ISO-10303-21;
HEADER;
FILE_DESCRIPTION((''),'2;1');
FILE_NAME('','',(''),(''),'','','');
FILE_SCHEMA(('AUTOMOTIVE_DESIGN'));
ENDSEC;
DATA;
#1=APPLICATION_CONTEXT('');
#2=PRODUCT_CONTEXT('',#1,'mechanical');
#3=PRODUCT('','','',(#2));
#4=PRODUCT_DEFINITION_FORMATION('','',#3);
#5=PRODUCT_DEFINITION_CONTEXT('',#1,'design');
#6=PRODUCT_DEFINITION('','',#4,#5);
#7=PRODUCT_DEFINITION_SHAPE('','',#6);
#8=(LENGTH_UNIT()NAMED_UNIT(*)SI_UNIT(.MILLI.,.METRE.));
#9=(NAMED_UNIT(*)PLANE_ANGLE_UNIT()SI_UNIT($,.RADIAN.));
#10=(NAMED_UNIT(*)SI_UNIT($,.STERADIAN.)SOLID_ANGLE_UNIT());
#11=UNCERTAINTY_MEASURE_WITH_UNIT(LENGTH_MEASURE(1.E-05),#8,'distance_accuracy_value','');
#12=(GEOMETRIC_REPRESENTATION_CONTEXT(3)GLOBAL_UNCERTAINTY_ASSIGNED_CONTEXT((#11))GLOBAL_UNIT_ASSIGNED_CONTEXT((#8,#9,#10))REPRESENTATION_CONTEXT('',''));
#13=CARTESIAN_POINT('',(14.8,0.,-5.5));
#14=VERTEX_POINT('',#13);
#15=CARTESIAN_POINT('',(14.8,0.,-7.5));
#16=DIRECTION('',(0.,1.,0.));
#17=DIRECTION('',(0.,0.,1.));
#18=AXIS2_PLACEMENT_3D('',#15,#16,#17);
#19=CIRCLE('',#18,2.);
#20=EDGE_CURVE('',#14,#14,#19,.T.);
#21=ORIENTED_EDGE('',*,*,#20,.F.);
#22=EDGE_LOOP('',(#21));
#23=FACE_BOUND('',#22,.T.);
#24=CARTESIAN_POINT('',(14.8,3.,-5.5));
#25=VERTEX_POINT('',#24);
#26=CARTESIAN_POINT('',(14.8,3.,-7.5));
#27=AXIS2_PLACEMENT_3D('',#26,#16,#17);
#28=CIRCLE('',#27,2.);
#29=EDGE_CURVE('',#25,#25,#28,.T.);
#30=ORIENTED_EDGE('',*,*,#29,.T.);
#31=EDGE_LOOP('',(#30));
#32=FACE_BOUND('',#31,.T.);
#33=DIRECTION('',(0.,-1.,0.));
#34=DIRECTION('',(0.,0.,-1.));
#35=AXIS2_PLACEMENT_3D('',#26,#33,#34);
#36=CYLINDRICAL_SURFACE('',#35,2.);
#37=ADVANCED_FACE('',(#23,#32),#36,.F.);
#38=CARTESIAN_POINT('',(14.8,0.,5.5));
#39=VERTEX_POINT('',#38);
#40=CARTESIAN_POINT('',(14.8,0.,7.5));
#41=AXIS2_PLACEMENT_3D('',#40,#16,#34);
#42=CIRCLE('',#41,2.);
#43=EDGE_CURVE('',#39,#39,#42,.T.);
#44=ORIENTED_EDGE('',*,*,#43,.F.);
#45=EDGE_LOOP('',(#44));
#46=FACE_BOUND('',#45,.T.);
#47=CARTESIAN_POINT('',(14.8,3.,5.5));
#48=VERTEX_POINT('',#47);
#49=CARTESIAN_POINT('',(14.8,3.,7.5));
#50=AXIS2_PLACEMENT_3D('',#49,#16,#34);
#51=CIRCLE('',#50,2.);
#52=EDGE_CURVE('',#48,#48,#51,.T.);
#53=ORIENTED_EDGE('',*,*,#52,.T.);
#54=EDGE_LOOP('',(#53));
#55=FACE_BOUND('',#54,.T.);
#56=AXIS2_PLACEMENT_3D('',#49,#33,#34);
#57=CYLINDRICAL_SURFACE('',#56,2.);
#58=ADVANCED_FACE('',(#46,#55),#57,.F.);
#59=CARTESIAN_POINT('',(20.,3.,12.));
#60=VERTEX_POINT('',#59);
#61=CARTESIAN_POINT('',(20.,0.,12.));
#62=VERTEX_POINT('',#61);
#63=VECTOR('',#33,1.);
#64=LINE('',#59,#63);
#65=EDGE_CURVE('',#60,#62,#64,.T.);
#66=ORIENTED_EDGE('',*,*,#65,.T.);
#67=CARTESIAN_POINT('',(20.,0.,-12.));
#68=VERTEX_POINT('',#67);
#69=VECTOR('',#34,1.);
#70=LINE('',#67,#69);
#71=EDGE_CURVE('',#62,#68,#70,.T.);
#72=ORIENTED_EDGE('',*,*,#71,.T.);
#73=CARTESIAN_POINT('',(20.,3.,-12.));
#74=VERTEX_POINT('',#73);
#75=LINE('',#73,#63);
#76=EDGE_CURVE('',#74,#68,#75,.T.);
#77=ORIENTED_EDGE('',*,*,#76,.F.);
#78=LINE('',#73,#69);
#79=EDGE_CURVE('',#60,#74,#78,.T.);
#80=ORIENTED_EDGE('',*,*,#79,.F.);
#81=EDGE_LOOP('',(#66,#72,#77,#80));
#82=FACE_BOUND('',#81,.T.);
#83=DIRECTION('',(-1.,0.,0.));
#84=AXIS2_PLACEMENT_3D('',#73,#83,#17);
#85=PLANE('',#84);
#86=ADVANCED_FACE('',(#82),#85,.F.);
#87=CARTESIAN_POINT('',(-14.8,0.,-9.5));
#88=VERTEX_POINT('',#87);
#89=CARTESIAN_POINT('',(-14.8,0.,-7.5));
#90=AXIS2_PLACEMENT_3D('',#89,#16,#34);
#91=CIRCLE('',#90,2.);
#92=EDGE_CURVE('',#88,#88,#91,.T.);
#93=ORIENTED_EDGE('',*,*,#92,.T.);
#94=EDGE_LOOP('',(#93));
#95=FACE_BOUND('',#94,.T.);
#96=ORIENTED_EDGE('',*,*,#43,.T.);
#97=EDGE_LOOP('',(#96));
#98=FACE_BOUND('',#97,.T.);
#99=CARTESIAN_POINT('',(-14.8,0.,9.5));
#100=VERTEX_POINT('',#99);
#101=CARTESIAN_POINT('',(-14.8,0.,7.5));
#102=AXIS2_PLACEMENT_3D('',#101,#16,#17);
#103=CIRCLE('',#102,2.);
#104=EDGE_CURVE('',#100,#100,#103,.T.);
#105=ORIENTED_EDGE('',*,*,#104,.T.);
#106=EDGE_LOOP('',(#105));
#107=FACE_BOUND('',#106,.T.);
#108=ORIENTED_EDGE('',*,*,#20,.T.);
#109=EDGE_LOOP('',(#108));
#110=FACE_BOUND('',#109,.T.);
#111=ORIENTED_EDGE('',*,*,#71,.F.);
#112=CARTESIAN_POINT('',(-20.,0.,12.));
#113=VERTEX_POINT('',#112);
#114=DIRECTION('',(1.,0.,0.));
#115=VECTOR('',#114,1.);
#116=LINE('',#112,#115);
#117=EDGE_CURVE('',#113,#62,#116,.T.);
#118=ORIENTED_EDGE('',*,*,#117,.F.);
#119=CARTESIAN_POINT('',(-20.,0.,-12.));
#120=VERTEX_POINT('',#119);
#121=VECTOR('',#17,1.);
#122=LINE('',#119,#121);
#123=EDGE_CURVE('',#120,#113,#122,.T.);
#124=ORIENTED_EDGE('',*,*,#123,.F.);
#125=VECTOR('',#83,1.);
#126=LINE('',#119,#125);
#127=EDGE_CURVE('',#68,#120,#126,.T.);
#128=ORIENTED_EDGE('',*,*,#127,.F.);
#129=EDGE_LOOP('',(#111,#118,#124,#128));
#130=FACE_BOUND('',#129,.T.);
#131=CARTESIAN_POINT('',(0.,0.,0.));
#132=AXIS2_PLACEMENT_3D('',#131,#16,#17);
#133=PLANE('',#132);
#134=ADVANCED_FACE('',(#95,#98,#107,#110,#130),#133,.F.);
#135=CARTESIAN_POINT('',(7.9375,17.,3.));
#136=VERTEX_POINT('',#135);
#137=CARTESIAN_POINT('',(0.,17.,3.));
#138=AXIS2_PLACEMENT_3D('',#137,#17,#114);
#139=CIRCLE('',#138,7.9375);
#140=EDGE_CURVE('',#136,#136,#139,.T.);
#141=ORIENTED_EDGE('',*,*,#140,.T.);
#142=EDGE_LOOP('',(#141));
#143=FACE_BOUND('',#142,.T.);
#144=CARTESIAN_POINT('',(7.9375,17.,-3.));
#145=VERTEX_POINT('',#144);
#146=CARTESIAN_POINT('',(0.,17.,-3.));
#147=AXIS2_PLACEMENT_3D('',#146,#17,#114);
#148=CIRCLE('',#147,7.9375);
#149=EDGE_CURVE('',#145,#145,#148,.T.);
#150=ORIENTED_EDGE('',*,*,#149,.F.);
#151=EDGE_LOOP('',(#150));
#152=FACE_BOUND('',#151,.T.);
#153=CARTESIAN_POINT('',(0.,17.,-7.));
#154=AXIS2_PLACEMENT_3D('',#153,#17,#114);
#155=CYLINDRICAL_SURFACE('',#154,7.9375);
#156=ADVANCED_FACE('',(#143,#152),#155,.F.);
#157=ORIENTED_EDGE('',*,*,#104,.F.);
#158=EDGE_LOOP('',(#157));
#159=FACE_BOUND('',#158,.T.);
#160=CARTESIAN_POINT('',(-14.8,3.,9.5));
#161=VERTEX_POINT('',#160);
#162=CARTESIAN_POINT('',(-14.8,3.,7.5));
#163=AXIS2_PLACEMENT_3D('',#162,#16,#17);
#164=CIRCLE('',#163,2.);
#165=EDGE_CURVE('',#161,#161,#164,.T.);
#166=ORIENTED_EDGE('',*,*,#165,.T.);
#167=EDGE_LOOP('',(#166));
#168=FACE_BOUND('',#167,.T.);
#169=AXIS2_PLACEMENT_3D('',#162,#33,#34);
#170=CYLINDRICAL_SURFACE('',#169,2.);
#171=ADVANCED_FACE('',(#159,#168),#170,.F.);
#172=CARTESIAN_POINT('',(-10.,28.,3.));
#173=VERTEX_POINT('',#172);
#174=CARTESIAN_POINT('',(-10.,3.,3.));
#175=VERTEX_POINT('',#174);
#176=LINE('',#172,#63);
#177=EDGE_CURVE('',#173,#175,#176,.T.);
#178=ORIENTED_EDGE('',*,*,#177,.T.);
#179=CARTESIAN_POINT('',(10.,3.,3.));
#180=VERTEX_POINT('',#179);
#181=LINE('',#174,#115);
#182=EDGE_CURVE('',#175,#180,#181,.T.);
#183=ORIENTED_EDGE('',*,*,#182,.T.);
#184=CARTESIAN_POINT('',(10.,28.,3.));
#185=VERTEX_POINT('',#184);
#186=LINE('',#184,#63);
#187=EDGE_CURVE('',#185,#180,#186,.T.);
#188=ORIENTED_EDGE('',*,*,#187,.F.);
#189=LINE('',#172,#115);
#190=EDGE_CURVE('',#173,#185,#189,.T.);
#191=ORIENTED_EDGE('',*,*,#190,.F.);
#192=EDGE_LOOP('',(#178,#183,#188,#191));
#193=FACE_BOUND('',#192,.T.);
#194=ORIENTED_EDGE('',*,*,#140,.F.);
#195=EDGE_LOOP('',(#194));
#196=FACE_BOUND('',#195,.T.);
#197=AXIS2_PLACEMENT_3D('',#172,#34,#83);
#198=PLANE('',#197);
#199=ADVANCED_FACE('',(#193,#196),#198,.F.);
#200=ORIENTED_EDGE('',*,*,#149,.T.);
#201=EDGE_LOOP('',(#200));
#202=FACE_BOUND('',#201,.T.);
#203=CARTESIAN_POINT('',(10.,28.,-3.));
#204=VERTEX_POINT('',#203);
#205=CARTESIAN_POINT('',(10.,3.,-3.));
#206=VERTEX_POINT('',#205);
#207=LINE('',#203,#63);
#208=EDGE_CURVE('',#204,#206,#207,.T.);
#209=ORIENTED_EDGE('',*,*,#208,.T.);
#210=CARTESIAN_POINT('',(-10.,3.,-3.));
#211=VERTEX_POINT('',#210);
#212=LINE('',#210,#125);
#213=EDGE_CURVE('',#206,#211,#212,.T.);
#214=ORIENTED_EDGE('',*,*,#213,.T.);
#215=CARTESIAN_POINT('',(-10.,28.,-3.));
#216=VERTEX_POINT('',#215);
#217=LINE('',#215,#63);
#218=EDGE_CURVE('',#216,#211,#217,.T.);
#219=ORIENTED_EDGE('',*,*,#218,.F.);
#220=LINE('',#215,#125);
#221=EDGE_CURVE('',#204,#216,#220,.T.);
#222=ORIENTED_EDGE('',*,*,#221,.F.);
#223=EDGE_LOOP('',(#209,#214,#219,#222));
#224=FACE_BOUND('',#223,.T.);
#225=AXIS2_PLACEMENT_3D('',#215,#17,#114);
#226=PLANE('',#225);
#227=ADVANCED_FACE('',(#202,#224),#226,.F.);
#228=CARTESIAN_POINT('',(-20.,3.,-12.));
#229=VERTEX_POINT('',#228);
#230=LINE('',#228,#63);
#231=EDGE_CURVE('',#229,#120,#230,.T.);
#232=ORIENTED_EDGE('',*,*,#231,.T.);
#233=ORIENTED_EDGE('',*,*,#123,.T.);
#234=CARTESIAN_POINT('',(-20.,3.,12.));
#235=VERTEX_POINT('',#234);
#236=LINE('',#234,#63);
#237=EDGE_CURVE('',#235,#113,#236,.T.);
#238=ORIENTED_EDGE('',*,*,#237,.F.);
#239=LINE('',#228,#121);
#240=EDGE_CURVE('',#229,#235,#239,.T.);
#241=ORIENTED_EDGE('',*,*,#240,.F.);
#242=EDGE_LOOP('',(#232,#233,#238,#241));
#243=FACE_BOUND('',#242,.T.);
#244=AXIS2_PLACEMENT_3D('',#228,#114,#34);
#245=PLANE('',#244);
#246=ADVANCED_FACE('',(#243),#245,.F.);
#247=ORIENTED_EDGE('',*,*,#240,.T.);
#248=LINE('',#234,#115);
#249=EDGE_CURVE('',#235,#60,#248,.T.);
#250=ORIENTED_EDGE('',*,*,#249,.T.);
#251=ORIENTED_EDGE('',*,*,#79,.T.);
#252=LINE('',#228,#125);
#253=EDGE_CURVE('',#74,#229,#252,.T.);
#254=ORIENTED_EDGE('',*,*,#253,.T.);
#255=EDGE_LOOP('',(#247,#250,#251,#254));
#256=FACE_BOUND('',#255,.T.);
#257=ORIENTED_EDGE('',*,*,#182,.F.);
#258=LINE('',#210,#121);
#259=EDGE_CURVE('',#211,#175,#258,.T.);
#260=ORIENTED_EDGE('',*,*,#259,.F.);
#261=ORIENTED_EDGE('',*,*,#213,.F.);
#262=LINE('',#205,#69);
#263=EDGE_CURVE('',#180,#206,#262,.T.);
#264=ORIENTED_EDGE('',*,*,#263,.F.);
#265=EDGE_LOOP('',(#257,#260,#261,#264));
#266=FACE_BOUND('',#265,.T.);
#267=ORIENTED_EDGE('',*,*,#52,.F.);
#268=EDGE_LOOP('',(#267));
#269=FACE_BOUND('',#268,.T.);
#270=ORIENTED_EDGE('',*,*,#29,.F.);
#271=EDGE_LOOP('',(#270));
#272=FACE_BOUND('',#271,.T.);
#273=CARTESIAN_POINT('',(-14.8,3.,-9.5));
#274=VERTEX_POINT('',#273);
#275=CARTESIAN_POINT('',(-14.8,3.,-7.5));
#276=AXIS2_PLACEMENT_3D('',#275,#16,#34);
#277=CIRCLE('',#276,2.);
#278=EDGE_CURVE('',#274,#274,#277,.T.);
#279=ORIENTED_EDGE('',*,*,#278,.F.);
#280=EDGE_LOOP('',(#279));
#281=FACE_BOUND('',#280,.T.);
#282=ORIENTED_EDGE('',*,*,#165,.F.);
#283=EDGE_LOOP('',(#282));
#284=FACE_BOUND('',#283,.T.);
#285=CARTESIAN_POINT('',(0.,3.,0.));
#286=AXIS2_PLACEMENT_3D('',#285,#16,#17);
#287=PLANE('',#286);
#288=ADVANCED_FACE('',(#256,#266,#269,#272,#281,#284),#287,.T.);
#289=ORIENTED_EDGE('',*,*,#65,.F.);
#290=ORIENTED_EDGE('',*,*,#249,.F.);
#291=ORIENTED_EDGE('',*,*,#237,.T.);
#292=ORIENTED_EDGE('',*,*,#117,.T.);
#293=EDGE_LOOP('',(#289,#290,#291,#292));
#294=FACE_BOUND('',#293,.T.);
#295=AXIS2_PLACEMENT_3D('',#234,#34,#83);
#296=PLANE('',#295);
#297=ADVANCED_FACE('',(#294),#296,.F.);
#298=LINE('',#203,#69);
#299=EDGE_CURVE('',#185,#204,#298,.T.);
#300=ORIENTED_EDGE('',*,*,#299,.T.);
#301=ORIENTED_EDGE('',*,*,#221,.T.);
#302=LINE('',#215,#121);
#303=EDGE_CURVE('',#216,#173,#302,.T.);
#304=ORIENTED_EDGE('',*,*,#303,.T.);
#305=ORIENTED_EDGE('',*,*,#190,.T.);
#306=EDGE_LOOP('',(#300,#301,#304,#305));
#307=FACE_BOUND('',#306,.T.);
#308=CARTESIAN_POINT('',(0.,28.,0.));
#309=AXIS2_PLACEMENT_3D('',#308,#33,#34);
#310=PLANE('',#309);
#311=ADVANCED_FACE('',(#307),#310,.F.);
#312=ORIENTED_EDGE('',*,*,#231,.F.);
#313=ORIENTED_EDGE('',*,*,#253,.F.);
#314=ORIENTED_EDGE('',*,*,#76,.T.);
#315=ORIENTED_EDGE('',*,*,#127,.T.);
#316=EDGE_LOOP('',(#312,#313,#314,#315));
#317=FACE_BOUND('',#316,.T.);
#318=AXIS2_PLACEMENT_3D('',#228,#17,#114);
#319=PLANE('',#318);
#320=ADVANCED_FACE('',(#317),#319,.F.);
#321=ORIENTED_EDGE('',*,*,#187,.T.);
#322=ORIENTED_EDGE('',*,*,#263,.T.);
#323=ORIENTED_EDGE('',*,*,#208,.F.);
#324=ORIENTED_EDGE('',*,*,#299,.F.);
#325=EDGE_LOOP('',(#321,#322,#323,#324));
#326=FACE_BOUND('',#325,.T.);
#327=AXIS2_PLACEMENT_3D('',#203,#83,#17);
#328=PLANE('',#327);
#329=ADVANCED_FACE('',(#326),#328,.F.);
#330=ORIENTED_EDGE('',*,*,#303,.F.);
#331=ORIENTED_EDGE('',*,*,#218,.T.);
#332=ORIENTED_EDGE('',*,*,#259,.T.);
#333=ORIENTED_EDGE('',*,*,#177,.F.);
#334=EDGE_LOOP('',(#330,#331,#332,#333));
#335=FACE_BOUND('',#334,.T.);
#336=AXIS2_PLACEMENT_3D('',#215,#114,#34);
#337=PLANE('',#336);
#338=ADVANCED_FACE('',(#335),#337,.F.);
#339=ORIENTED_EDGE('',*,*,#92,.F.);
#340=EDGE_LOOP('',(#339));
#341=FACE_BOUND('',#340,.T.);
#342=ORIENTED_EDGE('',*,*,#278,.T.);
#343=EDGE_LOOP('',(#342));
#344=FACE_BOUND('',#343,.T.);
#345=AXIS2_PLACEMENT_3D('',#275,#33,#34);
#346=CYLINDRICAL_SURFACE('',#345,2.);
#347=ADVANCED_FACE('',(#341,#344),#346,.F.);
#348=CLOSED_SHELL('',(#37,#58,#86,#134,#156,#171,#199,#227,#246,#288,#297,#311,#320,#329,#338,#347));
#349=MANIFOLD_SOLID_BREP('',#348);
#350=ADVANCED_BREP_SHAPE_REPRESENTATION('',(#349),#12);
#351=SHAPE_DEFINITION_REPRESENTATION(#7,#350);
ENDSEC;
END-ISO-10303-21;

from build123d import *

# Parameters (mm, degrees)
SKETCH_1_W          = 40
SKETCH_1_H          = 24
SKETCH_1_R          = 2
EXTRUDE_1_DEPTH     = 3
SKETCH_2_W          = 20
SKETCH_2_H          = 6
EXTRUDE_2_DEPTH     = 25
SKETCH_3_R          = 7.9375
CUT_EXTRUDE_1_DEPTH = 10


with BuildPart() as part:
    # 草图1 → 凸台-拉伸1 (new body)
    with BuildSketch(Plane(origin=(0, 0, 0), x_dir=(1, 0, 0), z_dir=(0, 1, 0))):
        Rectangle(SKETCH_1_W, SKETCH_1_H)
        with Locations((-14.8, -7.5)):
            Circle(SKETCH_1_R, mode=Mode.SUBTRACT)
        with Locations((14.8, -7.5)):
            Circle(SKETCH_1_R, mode=Mode.SUBTRACT)
        with Locations((-14.8, 7.5)):
            Circle(SKETCH_1_R, mode=Mode.SUBTRACT)
        with Locations((14.8, 7.5)):
            Circle(SKETCH_1_R, mode=Mode.SUBTRACT)
    extrude(amount=EXTRUDE_1_DEPTH)

    # 草图2 → 凸台-拉伸2 (add)
    with BuildSketch(Plane(origin=(0, 3, 0), x_dir=(1, 0, 0), z_dir=(0, 1, 0))):
        Rectangle(SKETCH_2_W, SKETCH_2_H)
    extrude(amount=EXTRUDE_2_DEPTH)

    # 草图3 → 切除-拉伸1 (cut)
    with BuildSketch(Plane.XY.offset(3)):
        with Locations((0, 17)):
            Circle(SKETCH_3_R)
    extrude(amount=-CUT_EXTRUDE_1_DEPTH, mode=Mode.SUBTRACT)


solid = part.part
